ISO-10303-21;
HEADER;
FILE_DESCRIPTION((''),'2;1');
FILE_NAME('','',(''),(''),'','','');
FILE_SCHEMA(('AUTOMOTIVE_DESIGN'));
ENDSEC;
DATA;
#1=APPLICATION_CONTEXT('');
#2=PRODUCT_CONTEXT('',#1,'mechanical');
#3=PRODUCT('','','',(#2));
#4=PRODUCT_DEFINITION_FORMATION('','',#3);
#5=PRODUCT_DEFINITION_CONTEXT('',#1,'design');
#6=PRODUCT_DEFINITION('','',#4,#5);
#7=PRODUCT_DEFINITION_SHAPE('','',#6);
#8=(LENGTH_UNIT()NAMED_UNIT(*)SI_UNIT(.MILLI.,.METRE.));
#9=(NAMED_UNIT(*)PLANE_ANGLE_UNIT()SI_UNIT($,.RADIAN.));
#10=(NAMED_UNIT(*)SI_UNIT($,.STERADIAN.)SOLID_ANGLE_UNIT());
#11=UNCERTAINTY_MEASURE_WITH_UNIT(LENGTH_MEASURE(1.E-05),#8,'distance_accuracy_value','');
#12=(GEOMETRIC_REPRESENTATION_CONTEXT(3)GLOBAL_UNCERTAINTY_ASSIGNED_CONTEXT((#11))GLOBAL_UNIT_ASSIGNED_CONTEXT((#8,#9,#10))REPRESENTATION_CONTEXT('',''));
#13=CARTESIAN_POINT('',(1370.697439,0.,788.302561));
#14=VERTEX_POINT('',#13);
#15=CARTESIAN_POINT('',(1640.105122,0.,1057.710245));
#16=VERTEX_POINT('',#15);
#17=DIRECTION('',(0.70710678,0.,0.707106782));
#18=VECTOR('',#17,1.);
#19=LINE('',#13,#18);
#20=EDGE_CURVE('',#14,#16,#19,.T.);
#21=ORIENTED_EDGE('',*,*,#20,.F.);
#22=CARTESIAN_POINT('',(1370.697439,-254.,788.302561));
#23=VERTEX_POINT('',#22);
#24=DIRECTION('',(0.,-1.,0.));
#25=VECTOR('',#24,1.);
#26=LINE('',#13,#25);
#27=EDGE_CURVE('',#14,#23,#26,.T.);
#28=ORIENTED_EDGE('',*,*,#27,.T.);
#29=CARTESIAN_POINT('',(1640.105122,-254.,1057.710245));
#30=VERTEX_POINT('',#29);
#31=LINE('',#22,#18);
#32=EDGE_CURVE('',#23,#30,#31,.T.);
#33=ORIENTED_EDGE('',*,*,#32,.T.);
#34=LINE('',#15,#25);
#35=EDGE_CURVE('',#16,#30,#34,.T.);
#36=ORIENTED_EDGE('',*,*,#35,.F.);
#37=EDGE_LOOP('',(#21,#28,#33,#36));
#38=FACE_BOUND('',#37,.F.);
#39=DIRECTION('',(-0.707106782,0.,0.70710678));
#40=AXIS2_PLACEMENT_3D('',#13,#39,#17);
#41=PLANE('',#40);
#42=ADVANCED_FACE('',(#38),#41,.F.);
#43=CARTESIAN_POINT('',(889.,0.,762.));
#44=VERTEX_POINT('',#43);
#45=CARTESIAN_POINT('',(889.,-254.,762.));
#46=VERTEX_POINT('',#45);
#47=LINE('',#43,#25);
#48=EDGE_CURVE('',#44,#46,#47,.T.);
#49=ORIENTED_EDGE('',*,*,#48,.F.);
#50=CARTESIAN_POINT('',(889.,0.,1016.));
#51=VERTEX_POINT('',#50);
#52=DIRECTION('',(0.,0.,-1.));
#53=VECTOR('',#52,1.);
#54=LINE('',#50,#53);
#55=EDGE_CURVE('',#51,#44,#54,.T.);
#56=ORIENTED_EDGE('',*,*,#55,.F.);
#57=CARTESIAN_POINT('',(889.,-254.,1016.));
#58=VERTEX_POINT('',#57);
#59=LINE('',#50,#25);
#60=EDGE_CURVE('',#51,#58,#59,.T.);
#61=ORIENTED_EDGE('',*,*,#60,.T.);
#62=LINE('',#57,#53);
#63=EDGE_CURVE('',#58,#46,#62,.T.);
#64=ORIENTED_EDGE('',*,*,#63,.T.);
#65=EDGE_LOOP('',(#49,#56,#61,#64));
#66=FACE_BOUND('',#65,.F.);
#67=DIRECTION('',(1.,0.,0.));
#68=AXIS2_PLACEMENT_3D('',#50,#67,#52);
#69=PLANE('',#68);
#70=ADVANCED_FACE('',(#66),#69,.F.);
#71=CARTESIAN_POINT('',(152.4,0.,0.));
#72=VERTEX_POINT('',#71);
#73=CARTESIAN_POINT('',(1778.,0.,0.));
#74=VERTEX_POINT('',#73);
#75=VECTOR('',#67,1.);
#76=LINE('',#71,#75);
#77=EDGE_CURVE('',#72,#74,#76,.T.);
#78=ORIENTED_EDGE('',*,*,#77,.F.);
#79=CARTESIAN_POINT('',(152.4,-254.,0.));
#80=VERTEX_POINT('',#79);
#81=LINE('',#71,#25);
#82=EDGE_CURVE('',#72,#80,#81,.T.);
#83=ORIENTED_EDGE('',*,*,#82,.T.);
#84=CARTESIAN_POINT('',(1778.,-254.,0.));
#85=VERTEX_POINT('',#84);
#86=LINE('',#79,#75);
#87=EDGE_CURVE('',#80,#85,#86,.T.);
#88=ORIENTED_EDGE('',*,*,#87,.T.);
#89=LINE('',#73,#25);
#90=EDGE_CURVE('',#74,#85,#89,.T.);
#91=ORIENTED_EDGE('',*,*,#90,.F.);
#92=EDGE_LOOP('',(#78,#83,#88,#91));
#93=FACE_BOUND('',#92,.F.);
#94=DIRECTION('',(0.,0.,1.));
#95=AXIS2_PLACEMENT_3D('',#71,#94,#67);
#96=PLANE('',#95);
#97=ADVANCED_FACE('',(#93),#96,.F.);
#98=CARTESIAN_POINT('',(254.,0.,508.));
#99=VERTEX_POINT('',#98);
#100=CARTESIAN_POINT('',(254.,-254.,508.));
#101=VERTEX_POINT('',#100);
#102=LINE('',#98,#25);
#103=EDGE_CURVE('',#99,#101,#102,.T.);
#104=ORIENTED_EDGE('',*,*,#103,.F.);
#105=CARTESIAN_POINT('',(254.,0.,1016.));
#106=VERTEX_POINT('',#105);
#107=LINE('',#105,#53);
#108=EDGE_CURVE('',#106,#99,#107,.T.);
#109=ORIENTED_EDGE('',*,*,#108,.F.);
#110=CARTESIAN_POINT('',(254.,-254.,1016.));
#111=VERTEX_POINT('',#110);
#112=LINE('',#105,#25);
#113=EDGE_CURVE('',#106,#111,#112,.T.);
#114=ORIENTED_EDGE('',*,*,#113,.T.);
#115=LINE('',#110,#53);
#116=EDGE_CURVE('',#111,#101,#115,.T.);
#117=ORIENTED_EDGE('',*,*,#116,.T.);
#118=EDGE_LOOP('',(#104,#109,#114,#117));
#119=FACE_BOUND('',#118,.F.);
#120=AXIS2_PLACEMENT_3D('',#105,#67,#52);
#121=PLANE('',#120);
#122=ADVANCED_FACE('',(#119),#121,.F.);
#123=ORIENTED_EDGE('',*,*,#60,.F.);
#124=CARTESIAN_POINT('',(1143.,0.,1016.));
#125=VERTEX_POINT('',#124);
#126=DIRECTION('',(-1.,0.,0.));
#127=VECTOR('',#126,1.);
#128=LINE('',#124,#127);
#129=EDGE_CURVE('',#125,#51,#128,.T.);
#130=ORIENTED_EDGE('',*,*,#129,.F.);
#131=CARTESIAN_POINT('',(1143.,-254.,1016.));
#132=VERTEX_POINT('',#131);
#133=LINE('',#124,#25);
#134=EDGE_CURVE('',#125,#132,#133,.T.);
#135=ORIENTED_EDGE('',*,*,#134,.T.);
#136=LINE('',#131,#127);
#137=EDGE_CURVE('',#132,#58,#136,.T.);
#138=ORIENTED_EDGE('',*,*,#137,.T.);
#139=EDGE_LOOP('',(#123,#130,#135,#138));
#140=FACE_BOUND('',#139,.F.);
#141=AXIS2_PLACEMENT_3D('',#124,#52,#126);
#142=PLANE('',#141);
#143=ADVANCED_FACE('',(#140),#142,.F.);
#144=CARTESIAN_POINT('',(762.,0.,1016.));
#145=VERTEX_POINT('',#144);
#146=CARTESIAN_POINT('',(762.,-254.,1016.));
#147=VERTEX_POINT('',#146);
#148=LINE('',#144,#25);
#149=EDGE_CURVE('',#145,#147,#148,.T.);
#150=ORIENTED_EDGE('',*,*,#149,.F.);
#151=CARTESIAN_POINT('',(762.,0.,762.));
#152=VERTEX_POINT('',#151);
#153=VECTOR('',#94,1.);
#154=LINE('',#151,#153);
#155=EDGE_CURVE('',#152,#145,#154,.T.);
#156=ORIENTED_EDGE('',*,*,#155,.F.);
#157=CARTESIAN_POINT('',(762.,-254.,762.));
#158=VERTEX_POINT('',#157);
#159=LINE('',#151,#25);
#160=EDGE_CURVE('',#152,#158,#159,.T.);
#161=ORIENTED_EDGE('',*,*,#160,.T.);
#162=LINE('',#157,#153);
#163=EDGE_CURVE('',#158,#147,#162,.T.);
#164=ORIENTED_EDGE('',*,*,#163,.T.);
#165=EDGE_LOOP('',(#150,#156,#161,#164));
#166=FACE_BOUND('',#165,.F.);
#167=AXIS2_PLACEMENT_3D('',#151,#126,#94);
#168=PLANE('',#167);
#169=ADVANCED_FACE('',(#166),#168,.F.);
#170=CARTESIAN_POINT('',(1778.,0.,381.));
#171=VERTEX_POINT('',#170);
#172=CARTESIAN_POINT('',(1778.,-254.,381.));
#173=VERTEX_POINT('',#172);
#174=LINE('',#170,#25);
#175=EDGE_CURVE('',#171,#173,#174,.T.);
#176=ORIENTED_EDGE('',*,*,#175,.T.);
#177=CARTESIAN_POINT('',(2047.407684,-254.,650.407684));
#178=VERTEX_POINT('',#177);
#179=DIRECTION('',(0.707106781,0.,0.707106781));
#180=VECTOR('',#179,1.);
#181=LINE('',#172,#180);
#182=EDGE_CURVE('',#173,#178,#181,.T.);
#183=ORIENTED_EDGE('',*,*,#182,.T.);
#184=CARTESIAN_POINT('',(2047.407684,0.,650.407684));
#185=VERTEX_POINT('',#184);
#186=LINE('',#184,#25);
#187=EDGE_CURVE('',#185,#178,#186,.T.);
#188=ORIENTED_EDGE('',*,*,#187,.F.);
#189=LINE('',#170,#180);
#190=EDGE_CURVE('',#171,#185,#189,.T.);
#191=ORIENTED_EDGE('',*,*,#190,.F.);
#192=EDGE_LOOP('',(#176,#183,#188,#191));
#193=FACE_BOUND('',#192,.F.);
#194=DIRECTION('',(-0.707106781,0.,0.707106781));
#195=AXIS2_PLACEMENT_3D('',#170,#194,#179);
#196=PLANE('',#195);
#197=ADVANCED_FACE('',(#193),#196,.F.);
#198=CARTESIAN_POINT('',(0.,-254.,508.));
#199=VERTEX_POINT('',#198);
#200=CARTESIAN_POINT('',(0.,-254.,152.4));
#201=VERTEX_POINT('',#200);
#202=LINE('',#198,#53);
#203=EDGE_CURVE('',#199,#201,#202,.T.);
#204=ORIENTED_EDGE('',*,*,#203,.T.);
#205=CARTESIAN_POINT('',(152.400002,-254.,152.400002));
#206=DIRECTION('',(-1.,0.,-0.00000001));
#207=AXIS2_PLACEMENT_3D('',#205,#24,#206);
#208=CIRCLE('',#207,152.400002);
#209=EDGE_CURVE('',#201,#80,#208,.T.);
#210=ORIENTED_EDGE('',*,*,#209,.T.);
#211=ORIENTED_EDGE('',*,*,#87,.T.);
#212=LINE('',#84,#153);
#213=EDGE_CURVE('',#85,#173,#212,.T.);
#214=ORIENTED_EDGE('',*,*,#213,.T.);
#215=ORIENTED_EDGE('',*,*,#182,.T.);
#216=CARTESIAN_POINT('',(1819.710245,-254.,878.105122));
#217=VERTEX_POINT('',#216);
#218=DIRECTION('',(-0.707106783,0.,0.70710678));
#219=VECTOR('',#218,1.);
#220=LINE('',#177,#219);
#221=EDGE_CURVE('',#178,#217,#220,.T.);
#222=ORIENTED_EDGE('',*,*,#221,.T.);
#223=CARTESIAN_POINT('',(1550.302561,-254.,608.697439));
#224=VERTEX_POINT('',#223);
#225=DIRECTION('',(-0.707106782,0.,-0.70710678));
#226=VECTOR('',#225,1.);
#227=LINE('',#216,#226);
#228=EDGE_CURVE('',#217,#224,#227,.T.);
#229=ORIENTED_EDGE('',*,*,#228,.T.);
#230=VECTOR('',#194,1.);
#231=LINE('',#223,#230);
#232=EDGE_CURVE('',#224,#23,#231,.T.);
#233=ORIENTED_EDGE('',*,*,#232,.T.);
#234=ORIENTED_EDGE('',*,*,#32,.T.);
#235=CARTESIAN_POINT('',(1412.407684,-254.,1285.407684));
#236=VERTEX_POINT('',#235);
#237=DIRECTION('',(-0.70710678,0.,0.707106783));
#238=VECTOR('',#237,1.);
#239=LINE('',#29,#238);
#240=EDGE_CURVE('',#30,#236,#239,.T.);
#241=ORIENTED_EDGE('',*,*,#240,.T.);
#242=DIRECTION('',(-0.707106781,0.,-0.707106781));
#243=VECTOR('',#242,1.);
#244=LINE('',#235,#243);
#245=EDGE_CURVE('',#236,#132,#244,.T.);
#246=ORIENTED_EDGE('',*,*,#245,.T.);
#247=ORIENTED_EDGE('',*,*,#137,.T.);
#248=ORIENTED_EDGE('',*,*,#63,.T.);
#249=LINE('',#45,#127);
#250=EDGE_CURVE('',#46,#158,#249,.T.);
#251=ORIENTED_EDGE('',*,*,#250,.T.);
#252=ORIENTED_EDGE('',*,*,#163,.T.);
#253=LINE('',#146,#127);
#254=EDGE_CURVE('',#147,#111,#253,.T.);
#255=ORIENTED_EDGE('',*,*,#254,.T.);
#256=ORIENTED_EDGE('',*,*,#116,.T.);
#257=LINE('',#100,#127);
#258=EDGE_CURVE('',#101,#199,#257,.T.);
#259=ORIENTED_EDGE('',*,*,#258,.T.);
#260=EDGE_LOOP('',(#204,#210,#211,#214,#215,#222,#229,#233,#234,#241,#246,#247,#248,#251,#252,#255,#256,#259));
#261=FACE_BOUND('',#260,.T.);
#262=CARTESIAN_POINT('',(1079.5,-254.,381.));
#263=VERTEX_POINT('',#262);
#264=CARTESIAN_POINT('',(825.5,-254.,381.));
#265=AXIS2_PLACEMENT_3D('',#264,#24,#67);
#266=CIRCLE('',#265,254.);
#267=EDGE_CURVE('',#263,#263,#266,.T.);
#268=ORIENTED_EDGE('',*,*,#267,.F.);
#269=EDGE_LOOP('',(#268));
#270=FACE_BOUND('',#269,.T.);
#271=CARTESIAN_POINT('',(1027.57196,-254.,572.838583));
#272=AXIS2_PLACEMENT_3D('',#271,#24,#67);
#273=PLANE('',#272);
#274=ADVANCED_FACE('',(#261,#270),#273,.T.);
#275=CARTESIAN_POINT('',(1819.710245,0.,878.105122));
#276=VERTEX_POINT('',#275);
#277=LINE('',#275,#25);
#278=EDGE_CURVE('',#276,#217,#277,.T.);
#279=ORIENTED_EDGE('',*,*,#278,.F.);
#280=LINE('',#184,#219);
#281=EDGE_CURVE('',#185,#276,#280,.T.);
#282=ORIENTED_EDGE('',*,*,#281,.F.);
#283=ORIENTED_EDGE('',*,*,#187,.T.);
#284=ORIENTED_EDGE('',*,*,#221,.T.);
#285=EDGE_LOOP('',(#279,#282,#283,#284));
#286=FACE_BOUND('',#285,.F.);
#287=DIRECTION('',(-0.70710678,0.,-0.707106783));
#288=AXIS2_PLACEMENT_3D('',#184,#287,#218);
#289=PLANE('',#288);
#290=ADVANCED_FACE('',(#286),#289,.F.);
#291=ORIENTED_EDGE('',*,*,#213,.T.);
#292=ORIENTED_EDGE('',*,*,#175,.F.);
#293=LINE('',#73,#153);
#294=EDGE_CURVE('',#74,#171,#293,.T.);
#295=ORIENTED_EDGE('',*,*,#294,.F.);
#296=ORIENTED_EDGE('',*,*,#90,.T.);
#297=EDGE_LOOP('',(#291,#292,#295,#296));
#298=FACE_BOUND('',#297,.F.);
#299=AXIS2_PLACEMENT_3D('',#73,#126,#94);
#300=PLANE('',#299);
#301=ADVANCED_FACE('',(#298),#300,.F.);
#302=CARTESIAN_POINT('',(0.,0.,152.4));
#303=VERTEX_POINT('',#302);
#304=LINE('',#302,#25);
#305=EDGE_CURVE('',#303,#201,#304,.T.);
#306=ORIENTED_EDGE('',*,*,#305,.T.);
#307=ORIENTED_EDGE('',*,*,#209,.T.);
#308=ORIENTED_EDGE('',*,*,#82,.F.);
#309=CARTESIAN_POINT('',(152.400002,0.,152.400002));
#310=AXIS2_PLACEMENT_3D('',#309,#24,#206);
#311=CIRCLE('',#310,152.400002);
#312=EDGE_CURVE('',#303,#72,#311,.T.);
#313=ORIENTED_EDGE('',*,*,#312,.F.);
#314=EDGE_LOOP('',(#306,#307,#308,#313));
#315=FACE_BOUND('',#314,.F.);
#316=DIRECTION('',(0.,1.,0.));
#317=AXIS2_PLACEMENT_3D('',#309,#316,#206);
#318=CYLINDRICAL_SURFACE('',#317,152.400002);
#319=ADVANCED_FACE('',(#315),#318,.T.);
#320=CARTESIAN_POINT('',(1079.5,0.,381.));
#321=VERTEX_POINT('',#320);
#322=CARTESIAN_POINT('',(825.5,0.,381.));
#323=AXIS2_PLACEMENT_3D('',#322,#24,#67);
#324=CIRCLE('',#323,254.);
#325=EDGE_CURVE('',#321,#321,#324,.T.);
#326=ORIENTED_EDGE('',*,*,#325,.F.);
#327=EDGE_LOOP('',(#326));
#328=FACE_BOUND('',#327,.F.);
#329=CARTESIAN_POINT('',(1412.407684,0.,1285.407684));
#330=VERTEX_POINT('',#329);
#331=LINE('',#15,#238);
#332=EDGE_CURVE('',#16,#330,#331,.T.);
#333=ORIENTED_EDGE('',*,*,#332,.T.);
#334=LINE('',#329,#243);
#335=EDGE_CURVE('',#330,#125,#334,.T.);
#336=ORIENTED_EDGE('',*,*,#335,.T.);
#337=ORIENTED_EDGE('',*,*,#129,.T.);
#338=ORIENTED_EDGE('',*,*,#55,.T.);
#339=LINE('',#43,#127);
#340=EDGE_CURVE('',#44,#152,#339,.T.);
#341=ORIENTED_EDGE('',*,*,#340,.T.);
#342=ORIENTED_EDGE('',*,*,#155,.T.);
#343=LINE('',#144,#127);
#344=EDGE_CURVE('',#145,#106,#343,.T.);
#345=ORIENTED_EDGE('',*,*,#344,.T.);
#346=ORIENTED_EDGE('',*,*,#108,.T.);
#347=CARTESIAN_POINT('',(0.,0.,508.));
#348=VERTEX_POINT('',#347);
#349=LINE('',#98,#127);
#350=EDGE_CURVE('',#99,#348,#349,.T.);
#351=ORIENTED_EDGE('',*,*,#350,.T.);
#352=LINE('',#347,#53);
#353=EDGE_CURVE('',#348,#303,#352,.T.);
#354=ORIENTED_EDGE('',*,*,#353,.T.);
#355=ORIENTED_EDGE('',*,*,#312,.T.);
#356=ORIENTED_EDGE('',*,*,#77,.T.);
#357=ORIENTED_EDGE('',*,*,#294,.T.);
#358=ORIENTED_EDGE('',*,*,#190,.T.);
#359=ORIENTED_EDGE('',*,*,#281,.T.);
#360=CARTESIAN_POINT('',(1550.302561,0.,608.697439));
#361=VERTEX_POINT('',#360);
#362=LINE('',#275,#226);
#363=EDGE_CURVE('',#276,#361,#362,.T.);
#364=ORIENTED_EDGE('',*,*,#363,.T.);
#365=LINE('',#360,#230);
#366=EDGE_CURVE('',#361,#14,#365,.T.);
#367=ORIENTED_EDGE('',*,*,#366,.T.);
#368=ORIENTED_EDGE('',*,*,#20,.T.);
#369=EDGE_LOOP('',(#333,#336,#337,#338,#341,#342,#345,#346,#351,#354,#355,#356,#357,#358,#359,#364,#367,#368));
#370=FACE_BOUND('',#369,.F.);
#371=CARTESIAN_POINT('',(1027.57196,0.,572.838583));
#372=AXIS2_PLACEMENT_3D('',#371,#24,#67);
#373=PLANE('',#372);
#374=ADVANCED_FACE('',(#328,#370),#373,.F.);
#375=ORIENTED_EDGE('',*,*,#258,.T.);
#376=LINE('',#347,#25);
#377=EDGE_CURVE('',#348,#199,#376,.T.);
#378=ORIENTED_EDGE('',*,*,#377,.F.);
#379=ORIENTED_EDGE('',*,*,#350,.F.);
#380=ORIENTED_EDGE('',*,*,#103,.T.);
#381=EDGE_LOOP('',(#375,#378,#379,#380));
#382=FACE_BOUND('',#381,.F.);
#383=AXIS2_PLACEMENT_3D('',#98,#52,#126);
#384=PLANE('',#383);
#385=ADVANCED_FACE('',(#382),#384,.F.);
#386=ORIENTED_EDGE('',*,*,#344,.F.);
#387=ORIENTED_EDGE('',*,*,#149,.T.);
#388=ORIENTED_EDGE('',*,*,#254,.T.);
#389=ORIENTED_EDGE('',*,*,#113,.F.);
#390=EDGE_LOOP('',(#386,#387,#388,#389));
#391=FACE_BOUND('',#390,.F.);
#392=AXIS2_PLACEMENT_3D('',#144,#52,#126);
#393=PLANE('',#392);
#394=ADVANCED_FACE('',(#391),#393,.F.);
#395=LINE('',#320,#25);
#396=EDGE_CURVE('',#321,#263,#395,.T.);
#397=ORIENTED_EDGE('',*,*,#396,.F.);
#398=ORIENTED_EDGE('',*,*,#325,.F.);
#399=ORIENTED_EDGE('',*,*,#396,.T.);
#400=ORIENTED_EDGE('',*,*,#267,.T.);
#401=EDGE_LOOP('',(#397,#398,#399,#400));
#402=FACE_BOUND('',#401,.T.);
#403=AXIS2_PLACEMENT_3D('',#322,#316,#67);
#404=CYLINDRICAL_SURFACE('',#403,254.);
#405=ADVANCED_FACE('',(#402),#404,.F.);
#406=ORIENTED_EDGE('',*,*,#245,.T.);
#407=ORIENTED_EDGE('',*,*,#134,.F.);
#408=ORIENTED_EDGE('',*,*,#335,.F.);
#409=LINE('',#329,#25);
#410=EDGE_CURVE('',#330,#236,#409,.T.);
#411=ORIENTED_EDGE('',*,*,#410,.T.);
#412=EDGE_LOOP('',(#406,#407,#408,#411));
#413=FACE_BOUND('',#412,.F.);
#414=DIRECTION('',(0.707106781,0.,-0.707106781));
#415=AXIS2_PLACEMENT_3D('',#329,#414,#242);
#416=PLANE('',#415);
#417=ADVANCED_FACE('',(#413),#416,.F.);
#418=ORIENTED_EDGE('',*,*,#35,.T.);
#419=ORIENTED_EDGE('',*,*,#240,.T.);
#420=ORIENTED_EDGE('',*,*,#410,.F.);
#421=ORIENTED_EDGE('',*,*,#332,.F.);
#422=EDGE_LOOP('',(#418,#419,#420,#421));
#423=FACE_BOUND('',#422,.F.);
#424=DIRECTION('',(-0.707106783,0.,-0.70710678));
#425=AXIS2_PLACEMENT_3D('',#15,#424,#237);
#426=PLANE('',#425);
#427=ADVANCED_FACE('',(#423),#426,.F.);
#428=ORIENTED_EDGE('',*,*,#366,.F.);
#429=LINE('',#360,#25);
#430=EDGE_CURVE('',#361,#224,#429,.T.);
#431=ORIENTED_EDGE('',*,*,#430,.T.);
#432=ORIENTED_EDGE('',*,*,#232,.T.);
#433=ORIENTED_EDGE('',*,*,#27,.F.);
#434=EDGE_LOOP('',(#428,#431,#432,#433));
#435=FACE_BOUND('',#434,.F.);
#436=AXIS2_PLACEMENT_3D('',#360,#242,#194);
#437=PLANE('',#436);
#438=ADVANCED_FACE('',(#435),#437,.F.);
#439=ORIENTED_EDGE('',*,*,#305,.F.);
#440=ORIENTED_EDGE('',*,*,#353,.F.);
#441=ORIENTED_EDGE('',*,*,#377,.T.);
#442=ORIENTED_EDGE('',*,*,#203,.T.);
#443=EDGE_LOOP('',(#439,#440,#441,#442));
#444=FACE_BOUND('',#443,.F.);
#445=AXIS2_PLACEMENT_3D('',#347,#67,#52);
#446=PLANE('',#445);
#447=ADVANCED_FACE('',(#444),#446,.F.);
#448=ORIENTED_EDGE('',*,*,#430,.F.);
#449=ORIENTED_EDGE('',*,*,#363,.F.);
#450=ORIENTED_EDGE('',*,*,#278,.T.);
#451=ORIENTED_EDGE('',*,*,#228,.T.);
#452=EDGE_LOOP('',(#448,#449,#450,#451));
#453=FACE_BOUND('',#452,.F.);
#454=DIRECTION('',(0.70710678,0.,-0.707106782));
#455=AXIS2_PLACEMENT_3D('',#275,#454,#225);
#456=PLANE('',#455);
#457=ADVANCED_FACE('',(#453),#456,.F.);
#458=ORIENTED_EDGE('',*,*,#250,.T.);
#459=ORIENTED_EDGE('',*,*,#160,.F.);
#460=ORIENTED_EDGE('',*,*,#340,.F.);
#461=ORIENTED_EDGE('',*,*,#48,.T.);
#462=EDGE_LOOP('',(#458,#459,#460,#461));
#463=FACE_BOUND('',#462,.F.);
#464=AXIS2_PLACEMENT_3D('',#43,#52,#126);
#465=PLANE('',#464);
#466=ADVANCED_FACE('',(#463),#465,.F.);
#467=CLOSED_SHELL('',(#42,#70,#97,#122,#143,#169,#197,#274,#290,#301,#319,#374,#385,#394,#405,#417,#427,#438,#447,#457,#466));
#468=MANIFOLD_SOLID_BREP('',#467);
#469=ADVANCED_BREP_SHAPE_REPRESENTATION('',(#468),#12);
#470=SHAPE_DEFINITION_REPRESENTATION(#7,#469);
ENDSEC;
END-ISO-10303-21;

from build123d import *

# Parameters (mm, degrees)
F0_R     = 254
F1_DEPTH = 254


with BuildPart() as f1:
    # F0 (on Front) → F1 (new body)
    with BuildSketch(Plane.XZ):
        with BuildLine():
            ThreePointArc((0, 152.4), (44.636927, 44.636927), (152.4, 0))
            Line((152.4, 0), (1778, 0))
            Line((1778, 0), (1778, 381))
            Line((1778, 381), (2047.407684, 650.407684))
            Line((2047.407684, 650.407684), (1819.710245, 878.105122))
            Line((1819.710245, 878.105122), (1550.302561, 608.697439))
            Line((1550.302561, 608.697439), (1370.697439, 788.302561))
            Line((1370.697439, 788.302561), (1640.105122, 1057.710245))
            Line((1640.105122, 1057.710245), (1412.407684, 1285.407684))
            Line((1412.407684, 1285.407684), (1143, 1016))
            Line((1143, 1016), (889, 1016))
            Line((889, 1016), (889, 762))
            Line((889, 762), (762, 762))
            Line((762, 762), (762, 1016))
            Line((762, 1016), (254, 1016))
            Line((254, 1016), (254, 508))
            Line((254, 508), (0, 508))
            Line((0, 508), (0, 152.4))
        make_face()
        with Locations((825.5, 381)):
            Circle(F0_R, mode=Mode.SUBTRACT)
    extrude(amount=F1_DEPTH)


solid = f1.part
